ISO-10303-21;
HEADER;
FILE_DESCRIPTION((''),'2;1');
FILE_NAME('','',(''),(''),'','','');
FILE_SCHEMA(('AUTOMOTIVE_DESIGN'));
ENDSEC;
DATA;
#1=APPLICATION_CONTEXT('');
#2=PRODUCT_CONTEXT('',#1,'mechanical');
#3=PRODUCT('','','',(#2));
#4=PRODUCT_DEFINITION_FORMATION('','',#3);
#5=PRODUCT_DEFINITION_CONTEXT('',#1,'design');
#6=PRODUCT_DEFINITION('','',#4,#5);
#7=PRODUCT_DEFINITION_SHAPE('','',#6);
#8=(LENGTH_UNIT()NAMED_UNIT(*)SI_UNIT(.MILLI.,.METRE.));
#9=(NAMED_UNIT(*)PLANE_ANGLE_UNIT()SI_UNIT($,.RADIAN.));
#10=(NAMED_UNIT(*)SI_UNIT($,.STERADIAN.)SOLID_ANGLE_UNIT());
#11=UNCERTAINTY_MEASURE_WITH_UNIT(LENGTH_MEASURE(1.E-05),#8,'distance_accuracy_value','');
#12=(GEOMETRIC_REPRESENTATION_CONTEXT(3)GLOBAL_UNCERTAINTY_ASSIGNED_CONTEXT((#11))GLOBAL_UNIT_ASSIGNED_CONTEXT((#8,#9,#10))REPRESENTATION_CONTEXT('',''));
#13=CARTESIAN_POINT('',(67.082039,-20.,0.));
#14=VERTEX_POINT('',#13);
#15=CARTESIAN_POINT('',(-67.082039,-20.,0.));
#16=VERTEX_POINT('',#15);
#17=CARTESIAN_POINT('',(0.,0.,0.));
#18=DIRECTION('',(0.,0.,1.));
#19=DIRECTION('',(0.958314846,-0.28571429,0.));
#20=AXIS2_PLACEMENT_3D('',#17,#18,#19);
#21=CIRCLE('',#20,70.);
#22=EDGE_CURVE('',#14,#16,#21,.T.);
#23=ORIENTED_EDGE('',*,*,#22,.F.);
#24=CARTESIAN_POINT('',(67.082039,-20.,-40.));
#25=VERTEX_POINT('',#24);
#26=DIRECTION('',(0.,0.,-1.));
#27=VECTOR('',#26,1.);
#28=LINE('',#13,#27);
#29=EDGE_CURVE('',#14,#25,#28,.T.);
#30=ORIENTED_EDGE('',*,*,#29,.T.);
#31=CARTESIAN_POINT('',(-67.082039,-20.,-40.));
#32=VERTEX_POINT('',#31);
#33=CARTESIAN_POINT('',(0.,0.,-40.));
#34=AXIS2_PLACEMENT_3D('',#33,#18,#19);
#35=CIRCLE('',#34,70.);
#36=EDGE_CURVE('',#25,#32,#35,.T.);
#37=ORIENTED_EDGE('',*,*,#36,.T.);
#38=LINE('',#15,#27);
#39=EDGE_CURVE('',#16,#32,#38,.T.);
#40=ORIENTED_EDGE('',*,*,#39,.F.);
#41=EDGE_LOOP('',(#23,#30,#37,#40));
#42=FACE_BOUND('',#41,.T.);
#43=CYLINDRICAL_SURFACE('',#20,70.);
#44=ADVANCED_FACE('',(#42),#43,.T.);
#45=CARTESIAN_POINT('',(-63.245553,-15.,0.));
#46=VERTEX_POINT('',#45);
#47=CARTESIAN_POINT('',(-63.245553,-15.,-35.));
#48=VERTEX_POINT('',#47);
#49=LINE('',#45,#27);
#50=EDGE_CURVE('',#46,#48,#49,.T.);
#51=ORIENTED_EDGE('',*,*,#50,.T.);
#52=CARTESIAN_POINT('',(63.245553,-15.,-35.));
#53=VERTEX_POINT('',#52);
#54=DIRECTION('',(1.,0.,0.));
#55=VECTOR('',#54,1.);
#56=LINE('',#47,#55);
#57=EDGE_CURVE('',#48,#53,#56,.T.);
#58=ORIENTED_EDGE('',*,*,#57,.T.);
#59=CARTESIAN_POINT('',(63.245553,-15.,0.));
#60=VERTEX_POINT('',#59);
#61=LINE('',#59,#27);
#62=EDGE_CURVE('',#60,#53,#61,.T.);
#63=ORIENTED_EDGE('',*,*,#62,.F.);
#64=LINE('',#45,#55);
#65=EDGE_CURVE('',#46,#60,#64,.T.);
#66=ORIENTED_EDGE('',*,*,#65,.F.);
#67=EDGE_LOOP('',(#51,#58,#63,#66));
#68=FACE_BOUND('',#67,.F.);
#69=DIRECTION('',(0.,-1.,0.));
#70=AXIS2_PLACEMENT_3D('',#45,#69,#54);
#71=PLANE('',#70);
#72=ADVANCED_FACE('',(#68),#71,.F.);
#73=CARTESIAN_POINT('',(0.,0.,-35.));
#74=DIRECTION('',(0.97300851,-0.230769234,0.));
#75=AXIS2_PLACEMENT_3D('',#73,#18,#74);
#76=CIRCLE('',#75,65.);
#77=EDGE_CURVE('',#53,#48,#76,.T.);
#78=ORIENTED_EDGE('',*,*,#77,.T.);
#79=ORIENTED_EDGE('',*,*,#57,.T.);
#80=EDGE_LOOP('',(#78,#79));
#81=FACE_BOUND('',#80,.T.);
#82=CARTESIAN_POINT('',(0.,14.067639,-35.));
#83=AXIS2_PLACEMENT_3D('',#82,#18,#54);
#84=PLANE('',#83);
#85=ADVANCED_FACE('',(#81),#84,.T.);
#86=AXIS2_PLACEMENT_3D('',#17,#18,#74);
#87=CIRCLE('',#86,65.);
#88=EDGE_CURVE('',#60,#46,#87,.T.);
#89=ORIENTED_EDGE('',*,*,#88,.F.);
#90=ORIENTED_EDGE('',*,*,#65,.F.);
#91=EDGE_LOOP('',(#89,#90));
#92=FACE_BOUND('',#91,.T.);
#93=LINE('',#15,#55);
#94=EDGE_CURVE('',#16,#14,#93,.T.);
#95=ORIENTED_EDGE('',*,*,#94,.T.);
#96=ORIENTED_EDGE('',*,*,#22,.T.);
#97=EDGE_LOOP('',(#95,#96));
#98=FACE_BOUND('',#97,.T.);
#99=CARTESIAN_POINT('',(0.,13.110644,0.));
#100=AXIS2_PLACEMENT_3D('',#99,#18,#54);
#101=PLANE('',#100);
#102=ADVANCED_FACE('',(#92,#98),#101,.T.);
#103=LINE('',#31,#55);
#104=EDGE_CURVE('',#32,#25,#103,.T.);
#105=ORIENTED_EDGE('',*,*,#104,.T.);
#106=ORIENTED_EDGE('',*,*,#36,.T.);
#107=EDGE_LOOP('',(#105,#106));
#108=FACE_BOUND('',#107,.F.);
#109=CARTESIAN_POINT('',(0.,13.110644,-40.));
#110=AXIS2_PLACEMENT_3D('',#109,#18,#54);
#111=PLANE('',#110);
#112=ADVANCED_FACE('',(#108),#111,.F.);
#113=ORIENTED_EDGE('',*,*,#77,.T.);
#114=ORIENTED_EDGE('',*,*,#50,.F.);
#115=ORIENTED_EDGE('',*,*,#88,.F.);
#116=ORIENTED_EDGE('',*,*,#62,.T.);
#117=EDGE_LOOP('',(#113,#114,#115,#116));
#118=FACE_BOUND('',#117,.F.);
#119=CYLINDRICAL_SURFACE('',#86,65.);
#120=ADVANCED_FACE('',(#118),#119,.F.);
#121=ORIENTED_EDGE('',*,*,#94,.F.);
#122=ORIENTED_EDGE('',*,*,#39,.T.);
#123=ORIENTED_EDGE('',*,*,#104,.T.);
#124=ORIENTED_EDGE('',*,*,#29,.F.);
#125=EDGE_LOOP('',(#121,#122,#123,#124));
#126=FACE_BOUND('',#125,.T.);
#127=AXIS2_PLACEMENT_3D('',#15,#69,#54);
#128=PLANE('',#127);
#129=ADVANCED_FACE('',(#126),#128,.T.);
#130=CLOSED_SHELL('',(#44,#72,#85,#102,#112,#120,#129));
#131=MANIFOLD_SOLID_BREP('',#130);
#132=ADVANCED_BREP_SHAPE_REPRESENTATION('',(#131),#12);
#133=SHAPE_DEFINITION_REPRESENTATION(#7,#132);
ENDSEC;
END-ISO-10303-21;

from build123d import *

# Parameters (mm, degrees)
F1_DEPTH = 40
F3_DEPTH = 35


with BuildPart() as f1:
    # F0 (on Top) → F1 (new body)
    with BuildSketch(Plane.XY):
        with BuildLine():
            Line((-67.082039, -20), (67.082039, -20))
            ThreePointArc((67.082039, -20), (0, 70), (-67.082039, -20))
        make_face()
    extrude(amount=-F1_DEPTH)

    # F2 (on face) → F3 (cut)
    with BuildSketch(Plane.XY):
        with BuildLine():
            Line((-63.245553, -15), (63.245553, -15))
            ThreePointArc((63.245553, -15), (0, 65), (-63.245553, -15))
        make_face()
    extrude(amount=-F3_DEPTH, mode=Mode.SUBTRACT)


solid = f1.part
